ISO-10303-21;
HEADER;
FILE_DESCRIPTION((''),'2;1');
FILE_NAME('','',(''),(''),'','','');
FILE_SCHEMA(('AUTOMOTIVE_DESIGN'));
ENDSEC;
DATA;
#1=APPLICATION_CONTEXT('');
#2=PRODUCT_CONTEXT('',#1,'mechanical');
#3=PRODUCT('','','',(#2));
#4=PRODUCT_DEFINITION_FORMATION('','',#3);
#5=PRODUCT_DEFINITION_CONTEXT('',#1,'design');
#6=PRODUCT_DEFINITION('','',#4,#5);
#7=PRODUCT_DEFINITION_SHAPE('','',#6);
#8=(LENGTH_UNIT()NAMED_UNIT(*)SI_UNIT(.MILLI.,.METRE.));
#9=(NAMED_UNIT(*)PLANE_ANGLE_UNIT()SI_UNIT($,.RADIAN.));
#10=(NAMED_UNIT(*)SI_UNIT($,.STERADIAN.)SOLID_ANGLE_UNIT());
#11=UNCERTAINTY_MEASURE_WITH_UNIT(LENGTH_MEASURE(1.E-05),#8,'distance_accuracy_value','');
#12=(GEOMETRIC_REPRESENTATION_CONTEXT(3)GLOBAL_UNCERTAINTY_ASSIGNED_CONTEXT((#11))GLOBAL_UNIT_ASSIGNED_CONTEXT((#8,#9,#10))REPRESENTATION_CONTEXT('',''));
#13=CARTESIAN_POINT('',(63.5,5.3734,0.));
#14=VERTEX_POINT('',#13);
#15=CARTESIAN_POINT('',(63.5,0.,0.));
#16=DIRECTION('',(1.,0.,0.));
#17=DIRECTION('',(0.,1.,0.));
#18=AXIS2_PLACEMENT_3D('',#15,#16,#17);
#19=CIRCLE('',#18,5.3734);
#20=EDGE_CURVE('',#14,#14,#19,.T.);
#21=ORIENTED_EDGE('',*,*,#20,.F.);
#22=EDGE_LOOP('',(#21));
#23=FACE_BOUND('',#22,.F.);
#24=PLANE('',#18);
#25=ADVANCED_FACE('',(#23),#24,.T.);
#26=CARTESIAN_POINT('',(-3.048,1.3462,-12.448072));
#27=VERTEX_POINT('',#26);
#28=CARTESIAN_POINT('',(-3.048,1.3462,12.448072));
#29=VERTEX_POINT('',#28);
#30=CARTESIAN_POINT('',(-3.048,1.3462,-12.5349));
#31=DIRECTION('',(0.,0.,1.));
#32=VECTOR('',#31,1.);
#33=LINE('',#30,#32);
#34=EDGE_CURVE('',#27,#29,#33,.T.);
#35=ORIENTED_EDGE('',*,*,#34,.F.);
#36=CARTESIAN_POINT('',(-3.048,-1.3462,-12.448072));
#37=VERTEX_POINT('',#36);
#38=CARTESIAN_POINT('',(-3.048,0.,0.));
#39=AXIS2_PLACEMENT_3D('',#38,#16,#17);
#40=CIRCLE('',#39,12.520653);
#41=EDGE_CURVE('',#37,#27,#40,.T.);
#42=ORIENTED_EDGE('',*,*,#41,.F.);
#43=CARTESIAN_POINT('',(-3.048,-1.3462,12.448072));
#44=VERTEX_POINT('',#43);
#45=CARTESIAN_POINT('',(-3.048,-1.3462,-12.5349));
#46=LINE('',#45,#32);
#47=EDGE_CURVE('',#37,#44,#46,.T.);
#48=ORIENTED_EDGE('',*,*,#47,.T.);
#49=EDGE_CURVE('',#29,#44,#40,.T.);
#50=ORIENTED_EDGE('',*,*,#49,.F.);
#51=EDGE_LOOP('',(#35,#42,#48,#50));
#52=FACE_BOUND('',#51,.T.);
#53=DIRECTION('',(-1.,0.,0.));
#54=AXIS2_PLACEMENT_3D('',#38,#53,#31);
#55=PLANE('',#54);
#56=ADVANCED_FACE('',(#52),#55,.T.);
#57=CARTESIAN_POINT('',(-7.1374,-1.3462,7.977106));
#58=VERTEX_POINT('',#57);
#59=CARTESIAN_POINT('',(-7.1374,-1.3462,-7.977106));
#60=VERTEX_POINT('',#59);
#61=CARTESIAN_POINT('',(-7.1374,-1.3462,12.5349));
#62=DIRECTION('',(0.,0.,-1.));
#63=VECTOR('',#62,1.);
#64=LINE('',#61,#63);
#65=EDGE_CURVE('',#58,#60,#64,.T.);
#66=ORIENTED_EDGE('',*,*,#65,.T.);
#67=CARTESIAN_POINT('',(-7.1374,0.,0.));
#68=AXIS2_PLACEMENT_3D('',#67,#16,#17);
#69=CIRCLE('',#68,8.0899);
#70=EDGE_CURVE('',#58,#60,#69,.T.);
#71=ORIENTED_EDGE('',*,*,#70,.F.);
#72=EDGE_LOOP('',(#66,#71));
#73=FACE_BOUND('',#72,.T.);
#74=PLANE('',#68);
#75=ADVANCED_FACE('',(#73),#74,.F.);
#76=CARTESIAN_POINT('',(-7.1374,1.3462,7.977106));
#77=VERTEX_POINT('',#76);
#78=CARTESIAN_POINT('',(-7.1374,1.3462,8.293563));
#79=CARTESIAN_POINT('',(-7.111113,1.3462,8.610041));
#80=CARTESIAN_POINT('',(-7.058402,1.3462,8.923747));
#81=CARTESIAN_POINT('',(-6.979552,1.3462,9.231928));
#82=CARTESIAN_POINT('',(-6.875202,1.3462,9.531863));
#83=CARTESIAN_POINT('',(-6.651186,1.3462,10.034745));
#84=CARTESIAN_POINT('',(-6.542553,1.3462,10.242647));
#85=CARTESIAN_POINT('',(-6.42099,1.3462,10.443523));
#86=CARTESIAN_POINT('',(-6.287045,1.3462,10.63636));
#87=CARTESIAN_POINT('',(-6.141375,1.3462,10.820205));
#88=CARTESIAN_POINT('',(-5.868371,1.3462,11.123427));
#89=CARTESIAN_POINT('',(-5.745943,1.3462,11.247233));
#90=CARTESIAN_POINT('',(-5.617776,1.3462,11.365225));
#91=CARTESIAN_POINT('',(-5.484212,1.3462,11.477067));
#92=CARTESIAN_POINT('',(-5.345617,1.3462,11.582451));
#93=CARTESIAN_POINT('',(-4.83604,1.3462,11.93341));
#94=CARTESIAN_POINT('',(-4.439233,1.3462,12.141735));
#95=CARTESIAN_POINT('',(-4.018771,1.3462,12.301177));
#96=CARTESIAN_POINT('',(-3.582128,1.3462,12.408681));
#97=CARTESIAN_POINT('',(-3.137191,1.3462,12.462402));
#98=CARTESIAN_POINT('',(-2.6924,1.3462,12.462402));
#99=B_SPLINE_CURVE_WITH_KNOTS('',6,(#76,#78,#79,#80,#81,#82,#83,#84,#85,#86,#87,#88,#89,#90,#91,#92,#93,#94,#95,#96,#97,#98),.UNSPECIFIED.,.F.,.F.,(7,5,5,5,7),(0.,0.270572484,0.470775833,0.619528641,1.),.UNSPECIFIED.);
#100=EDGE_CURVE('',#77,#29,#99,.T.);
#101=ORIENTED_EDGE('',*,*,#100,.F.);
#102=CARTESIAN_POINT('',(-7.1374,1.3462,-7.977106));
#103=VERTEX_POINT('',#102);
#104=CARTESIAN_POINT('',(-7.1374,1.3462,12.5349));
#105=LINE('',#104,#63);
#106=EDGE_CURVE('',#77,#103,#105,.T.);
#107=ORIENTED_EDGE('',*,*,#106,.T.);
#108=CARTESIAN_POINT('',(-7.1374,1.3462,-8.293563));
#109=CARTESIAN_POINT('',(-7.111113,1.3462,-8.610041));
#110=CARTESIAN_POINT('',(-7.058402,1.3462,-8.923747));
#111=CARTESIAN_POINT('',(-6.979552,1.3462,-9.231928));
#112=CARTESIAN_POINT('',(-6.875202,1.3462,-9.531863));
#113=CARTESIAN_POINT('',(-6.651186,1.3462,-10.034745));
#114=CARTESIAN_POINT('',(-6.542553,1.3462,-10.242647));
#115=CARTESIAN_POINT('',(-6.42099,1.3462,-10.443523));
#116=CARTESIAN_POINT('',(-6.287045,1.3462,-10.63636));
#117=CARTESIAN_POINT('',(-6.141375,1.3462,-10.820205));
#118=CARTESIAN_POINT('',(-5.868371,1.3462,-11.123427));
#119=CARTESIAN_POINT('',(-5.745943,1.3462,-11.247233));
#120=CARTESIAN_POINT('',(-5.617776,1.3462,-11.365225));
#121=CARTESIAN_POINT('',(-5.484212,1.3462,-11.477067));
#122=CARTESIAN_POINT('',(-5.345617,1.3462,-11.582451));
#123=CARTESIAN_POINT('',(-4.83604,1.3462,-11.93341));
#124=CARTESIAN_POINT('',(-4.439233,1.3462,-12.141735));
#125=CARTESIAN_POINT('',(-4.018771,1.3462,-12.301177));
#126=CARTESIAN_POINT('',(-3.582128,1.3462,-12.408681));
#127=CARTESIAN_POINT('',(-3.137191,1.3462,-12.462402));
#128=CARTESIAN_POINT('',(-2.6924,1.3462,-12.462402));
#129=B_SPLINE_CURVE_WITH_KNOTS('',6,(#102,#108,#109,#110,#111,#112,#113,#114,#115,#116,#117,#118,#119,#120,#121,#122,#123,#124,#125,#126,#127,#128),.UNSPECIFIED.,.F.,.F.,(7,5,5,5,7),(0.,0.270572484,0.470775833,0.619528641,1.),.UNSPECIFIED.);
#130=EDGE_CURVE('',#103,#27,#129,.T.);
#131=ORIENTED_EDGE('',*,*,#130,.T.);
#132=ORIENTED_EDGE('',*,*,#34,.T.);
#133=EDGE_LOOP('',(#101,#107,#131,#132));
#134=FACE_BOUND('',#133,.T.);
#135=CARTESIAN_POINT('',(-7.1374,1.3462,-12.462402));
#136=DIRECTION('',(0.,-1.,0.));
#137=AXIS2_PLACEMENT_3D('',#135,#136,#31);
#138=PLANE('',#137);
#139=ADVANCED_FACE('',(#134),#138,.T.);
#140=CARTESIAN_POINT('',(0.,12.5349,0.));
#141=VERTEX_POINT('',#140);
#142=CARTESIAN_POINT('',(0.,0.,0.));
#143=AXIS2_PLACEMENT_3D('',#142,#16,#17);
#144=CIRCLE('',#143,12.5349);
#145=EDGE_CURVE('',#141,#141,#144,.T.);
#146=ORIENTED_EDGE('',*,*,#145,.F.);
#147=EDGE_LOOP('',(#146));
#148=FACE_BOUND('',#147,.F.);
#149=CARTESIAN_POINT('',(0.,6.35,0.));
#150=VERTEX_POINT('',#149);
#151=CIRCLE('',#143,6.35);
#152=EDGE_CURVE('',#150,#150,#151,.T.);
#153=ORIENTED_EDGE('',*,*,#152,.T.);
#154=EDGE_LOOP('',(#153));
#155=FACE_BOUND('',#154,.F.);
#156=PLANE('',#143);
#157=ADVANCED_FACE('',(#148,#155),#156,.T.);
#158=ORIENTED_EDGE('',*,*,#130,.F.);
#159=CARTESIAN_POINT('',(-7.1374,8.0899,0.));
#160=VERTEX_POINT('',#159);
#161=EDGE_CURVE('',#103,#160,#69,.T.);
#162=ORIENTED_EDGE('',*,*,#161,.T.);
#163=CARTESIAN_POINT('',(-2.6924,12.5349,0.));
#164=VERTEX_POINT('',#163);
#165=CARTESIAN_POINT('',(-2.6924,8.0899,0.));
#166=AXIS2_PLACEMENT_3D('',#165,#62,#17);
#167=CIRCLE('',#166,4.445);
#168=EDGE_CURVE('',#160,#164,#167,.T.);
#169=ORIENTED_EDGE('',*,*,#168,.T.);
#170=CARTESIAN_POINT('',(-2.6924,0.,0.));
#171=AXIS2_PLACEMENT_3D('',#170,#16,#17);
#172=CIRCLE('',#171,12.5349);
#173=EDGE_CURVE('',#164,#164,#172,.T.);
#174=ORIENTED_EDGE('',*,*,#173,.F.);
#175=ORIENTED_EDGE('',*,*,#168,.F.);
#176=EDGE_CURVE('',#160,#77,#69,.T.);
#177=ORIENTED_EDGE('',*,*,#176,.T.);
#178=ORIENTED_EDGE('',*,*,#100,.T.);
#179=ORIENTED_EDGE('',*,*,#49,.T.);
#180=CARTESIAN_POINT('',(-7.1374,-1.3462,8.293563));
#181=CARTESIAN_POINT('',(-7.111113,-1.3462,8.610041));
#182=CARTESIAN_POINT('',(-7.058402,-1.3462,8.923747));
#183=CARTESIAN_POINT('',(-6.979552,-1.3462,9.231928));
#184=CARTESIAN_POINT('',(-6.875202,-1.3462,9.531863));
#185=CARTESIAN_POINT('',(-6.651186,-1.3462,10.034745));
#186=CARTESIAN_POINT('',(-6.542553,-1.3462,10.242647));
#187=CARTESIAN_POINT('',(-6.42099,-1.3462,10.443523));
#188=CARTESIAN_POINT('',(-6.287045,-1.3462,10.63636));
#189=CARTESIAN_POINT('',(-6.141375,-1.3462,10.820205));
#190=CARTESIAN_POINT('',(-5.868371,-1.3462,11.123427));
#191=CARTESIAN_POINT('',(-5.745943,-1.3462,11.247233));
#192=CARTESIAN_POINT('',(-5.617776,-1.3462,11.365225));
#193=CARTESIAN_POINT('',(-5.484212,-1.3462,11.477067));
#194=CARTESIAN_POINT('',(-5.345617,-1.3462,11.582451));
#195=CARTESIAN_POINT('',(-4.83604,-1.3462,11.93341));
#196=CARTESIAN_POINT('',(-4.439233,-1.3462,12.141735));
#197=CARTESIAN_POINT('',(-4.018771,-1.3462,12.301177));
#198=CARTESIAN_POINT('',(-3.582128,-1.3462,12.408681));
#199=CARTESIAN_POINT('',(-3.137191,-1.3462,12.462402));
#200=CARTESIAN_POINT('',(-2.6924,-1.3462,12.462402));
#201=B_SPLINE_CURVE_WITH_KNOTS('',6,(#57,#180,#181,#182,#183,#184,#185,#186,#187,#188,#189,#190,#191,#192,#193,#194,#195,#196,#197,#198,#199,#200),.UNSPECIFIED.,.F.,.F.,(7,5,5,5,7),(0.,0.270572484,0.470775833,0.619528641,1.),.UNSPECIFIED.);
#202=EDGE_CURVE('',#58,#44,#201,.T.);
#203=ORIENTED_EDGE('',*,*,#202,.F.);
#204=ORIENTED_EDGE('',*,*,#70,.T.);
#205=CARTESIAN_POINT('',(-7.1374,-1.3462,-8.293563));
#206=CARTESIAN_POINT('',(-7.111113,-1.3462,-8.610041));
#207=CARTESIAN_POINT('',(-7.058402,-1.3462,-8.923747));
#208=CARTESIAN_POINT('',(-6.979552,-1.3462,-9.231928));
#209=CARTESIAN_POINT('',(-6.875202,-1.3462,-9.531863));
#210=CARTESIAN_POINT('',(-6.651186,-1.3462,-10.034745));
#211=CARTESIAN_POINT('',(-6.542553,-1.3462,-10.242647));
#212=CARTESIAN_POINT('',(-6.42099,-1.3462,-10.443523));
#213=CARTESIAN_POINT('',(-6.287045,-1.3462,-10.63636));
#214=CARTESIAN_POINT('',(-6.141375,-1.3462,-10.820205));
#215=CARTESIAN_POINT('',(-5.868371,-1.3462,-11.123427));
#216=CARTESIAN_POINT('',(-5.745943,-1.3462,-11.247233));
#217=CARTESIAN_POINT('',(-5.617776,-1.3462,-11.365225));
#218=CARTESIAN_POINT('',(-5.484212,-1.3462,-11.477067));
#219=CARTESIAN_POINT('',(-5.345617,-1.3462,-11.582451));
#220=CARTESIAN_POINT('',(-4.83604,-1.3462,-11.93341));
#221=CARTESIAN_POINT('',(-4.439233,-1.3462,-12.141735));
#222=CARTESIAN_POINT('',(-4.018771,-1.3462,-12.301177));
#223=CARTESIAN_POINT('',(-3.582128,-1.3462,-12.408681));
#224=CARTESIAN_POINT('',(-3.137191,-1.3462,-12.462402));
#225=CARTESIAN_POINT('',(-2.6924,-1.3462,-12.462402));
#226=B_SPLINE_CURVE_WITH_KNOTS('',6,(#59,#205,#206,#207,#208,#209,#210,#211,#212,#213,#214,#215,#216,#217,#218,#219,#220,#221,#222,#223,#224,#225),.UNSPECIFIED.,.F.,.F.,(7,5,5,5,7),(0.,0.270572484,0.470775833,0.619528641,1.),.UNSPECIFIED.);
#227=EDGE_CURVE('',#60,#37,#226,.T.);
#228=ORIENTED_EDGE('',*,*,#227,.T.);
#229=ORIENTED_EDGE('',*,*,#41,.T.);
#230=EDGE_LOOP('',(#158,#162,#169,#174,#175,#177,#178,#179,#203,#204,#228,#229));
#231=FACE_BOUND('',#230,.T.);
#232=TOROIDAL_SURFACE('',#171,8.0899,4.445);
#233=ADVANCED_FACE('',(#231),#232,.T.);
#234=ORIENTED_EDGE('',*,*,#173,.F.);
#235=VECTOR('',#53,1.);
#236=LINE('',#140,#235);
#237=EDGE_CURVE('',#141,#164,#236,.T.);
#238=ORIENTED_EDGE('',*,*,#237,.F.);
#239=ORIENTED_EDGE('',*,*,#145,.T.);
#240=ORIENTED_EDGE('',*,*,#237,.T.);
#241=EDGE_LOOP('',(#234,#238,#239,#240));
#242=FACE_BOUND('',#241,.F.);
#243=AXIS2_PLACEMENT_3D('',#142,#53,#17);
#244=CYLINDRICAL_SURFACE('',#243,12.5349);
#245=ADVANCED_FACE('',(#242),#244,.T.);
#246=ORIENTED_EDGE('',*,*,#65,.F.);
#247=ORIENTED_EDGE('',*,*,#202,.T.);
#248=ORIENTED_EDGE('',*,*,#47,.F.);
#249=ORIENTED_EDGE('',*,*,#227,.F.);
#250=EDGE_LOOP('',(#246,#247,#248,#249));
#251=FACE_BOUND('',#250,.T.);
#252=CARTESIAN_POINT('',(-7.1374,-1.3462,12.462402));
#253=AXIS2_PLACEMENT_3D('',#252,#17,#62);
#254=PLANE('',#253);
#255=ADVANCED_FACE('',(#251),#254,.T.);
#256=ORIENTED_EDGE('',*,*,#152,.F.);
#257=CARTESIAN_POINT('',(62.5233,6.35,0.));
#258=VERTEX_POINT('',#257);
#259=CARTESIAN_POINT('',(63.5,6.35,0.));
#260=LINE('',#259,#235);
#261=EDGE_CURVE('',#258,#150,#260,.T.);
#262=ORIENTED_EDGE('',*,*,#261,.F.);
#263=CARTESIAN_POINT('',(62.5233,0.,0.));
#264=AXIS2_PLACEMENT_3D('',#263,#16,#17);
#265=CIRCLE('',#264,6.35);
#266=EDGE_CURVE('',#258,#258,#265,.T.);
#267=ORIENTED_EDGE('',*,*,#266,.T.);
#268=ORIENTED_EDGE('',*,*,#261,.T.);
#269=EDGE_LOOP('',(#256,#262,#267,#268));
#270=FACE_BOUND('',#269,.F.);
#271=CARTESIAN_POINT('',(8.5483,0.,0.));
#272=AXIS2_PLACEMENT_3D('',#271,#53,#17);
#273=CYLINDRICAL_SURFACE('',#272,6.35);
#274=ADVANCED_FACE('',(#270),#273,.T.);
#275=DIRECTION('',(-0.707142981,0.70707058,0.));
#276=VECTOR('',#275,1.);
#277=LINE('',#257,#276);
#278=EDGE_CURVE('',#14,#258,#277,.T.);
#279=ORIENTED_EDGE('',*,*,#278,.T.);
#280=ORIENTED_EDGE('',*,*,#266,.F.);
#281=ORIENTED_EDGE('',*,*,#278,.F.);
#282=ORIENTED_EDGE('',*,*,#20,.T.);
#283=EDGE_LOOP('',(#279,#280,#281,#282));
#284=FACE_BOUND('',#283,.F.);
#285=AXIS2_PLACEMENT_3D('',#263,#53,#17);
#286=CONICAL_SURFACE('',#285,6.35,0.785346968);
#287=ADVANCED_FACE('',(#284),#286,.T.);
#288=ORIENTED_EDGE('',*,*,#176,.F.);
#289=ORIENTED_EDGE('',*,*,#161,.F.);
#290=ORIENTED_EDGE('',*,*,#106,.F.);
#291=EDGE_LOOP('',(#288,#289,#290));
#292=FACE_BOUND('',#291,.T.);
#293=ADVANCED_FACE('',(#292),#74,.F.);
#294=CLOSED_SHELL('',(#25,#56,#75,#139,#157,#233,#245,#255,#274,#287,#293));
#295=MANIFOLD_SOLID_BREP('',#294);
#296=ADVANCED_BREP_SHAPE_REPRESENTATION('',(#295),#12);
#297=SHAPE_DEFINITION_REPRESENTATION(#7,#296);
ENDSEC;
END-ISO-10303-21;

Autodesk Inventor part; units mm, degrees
ref_plane "YZ Plane" through (0, 0, 0) normal (1, 0, 0) x (0, 1, 0)
ref_plane "XZ Plane" through (0, 0, 0) normal (0, 1, 0) x (-1, 0, 0)
sketch "Sketch1" plane through (0, 0, 0) normal (0, 0, 1) x (1, 0, 0)
  line L0 (-7.1374, 0) -> (63.5, 0)
  line L1 (63.5, 0) -> (63.5, 6.35)
  line L2 (63.5, 6.35) -> (9.525, 6.35)
  line L3 (9.525, 6.35) -> (8.5483, 6.35)
  line L4 (8.5483, 6.35) -> (0, 6.35)
  line L5 (0, 6.35) -> (0, 12.5349)
  line L6 (-21.2649, 0) -> (77.6275, 0) projected
  line L7 (0, -2.507) -> (0, 15.0419) projected
  line L8 (-7.1374, 0) -> (-7.1374, 12.5349)
  line L9 (0, 12.5349) -> (-7.1374, 12.5349)
  line L10 (9.525, 6.35) -> (0, 6.35) construction
  dimension "d0" = 63.5
  dimension "d1" = 53.975
  dimension "d2" = 0.9767
  dimension "d3" = 7.1374
  dimension "d4" = 12.7
  dimension "d5" = 12.7
  dimension "d9" = 25.0698
  dimension "d10" = 0
revolve "Body" add sketch "Sketch1" angle 360 about axis through (-7.1374, 0, 0) along (1, 0, 0)
sketch "Sketch2" plane through (-7.1374, 0, 0) normal (-1, 0, 0) x (0, 0, 1)
  circle A0 centre (0, 0) radius 12.5349 projected
  line L0 (0, 0) -> (0, 12.5349) projected
  line L1 (-12.5349, 1.3462) -> (12.5349, 1.3462)
  line L2 (12.5349, 1.3462) -> (12.5349, -1.3462)
  line L3 (12.5349, -1.3462) -> (-12.5349, -1.3462)
  line L4 (-12.5349, -1.3462) -> (-12.5349, 1.3462)
  line L5 (-12.5349, 0) -> (12.5349, 0) construction
  line L6 (0, 1.3462) -> (0, -1.3462) construction
  dimension "d11" = 2.6924
  dimension "d12" = 25.0698
fillet "Fillet1" radius 4.445 1 edges at (-7.1374, -12.5349, 0)
extrude "Slot" cut sketch "Sketch2" against normal blind 4.0894 contours A0 L3 L1 | L2 L3 A0 | A0 L1 L2 | L3 L4 A0 | A0 L4 L1
thread "Thread" size "1/2-13 UNC" class "2A" standard "ANSI Unified Screw Threads" length 53.975
chamfer "Chamfer1" distance 0.9766 distance2 0.9767 1 edges at (63.5, -6.35, 0) measured on face at (63.5, 0.6891, 1.4726)
ref_plane "Work Plane1" through (30.1625, 0, 0) normal (0, 0, -1) x (1, 0, 0)
equation "\"d11\" = SBR"
equation "\"d12\" = KOD"
equation "\"d14\" = RR"
equation "\"d19\" = STI"
equation "\"d15\" = GEL"
equation "\"d17\" = -0.5 * SPD + 0.5 * GD"
equation "\"d0\" = NLG"
equation "\"d1\" = GEL"
equation "\"d3\" = KOH"
equation "\"d4\" = GD"
equation "\"d5\" = BDM"
equation "\"d9\" = KOD"
equation "\"GD\" = NND"
equation "\"NLG\" = 63.5"
equation "\"GEL\" = 53.975"
equation "\"KOD\" = 25.0698"
equation "\"KOH\" = 7.1374"
equation "\"GAL\" = 0.97663"
equation "\"SPD\" = GD1"
equation "\"BDM\" = NND"
equation "\"GUL\" = 0.97663"
equation "\"RR\" = 4.445"
equation "\"SBR\" = 2.6924"
equation "\"STI\" = 4.0894"
equation "\"KEWI\" = 0"
equation "\"THREADDIA\" = 12.7"
equation "\"TOA\" = 30deg"
equation "\"NND\" = 12.7"
equation "\"GD1\" = 10.74674"
properties part number "ANSI B18.6.3 - 1/2 - 13 x 2 1/2 SP HMS" material "Steel, Mild"
